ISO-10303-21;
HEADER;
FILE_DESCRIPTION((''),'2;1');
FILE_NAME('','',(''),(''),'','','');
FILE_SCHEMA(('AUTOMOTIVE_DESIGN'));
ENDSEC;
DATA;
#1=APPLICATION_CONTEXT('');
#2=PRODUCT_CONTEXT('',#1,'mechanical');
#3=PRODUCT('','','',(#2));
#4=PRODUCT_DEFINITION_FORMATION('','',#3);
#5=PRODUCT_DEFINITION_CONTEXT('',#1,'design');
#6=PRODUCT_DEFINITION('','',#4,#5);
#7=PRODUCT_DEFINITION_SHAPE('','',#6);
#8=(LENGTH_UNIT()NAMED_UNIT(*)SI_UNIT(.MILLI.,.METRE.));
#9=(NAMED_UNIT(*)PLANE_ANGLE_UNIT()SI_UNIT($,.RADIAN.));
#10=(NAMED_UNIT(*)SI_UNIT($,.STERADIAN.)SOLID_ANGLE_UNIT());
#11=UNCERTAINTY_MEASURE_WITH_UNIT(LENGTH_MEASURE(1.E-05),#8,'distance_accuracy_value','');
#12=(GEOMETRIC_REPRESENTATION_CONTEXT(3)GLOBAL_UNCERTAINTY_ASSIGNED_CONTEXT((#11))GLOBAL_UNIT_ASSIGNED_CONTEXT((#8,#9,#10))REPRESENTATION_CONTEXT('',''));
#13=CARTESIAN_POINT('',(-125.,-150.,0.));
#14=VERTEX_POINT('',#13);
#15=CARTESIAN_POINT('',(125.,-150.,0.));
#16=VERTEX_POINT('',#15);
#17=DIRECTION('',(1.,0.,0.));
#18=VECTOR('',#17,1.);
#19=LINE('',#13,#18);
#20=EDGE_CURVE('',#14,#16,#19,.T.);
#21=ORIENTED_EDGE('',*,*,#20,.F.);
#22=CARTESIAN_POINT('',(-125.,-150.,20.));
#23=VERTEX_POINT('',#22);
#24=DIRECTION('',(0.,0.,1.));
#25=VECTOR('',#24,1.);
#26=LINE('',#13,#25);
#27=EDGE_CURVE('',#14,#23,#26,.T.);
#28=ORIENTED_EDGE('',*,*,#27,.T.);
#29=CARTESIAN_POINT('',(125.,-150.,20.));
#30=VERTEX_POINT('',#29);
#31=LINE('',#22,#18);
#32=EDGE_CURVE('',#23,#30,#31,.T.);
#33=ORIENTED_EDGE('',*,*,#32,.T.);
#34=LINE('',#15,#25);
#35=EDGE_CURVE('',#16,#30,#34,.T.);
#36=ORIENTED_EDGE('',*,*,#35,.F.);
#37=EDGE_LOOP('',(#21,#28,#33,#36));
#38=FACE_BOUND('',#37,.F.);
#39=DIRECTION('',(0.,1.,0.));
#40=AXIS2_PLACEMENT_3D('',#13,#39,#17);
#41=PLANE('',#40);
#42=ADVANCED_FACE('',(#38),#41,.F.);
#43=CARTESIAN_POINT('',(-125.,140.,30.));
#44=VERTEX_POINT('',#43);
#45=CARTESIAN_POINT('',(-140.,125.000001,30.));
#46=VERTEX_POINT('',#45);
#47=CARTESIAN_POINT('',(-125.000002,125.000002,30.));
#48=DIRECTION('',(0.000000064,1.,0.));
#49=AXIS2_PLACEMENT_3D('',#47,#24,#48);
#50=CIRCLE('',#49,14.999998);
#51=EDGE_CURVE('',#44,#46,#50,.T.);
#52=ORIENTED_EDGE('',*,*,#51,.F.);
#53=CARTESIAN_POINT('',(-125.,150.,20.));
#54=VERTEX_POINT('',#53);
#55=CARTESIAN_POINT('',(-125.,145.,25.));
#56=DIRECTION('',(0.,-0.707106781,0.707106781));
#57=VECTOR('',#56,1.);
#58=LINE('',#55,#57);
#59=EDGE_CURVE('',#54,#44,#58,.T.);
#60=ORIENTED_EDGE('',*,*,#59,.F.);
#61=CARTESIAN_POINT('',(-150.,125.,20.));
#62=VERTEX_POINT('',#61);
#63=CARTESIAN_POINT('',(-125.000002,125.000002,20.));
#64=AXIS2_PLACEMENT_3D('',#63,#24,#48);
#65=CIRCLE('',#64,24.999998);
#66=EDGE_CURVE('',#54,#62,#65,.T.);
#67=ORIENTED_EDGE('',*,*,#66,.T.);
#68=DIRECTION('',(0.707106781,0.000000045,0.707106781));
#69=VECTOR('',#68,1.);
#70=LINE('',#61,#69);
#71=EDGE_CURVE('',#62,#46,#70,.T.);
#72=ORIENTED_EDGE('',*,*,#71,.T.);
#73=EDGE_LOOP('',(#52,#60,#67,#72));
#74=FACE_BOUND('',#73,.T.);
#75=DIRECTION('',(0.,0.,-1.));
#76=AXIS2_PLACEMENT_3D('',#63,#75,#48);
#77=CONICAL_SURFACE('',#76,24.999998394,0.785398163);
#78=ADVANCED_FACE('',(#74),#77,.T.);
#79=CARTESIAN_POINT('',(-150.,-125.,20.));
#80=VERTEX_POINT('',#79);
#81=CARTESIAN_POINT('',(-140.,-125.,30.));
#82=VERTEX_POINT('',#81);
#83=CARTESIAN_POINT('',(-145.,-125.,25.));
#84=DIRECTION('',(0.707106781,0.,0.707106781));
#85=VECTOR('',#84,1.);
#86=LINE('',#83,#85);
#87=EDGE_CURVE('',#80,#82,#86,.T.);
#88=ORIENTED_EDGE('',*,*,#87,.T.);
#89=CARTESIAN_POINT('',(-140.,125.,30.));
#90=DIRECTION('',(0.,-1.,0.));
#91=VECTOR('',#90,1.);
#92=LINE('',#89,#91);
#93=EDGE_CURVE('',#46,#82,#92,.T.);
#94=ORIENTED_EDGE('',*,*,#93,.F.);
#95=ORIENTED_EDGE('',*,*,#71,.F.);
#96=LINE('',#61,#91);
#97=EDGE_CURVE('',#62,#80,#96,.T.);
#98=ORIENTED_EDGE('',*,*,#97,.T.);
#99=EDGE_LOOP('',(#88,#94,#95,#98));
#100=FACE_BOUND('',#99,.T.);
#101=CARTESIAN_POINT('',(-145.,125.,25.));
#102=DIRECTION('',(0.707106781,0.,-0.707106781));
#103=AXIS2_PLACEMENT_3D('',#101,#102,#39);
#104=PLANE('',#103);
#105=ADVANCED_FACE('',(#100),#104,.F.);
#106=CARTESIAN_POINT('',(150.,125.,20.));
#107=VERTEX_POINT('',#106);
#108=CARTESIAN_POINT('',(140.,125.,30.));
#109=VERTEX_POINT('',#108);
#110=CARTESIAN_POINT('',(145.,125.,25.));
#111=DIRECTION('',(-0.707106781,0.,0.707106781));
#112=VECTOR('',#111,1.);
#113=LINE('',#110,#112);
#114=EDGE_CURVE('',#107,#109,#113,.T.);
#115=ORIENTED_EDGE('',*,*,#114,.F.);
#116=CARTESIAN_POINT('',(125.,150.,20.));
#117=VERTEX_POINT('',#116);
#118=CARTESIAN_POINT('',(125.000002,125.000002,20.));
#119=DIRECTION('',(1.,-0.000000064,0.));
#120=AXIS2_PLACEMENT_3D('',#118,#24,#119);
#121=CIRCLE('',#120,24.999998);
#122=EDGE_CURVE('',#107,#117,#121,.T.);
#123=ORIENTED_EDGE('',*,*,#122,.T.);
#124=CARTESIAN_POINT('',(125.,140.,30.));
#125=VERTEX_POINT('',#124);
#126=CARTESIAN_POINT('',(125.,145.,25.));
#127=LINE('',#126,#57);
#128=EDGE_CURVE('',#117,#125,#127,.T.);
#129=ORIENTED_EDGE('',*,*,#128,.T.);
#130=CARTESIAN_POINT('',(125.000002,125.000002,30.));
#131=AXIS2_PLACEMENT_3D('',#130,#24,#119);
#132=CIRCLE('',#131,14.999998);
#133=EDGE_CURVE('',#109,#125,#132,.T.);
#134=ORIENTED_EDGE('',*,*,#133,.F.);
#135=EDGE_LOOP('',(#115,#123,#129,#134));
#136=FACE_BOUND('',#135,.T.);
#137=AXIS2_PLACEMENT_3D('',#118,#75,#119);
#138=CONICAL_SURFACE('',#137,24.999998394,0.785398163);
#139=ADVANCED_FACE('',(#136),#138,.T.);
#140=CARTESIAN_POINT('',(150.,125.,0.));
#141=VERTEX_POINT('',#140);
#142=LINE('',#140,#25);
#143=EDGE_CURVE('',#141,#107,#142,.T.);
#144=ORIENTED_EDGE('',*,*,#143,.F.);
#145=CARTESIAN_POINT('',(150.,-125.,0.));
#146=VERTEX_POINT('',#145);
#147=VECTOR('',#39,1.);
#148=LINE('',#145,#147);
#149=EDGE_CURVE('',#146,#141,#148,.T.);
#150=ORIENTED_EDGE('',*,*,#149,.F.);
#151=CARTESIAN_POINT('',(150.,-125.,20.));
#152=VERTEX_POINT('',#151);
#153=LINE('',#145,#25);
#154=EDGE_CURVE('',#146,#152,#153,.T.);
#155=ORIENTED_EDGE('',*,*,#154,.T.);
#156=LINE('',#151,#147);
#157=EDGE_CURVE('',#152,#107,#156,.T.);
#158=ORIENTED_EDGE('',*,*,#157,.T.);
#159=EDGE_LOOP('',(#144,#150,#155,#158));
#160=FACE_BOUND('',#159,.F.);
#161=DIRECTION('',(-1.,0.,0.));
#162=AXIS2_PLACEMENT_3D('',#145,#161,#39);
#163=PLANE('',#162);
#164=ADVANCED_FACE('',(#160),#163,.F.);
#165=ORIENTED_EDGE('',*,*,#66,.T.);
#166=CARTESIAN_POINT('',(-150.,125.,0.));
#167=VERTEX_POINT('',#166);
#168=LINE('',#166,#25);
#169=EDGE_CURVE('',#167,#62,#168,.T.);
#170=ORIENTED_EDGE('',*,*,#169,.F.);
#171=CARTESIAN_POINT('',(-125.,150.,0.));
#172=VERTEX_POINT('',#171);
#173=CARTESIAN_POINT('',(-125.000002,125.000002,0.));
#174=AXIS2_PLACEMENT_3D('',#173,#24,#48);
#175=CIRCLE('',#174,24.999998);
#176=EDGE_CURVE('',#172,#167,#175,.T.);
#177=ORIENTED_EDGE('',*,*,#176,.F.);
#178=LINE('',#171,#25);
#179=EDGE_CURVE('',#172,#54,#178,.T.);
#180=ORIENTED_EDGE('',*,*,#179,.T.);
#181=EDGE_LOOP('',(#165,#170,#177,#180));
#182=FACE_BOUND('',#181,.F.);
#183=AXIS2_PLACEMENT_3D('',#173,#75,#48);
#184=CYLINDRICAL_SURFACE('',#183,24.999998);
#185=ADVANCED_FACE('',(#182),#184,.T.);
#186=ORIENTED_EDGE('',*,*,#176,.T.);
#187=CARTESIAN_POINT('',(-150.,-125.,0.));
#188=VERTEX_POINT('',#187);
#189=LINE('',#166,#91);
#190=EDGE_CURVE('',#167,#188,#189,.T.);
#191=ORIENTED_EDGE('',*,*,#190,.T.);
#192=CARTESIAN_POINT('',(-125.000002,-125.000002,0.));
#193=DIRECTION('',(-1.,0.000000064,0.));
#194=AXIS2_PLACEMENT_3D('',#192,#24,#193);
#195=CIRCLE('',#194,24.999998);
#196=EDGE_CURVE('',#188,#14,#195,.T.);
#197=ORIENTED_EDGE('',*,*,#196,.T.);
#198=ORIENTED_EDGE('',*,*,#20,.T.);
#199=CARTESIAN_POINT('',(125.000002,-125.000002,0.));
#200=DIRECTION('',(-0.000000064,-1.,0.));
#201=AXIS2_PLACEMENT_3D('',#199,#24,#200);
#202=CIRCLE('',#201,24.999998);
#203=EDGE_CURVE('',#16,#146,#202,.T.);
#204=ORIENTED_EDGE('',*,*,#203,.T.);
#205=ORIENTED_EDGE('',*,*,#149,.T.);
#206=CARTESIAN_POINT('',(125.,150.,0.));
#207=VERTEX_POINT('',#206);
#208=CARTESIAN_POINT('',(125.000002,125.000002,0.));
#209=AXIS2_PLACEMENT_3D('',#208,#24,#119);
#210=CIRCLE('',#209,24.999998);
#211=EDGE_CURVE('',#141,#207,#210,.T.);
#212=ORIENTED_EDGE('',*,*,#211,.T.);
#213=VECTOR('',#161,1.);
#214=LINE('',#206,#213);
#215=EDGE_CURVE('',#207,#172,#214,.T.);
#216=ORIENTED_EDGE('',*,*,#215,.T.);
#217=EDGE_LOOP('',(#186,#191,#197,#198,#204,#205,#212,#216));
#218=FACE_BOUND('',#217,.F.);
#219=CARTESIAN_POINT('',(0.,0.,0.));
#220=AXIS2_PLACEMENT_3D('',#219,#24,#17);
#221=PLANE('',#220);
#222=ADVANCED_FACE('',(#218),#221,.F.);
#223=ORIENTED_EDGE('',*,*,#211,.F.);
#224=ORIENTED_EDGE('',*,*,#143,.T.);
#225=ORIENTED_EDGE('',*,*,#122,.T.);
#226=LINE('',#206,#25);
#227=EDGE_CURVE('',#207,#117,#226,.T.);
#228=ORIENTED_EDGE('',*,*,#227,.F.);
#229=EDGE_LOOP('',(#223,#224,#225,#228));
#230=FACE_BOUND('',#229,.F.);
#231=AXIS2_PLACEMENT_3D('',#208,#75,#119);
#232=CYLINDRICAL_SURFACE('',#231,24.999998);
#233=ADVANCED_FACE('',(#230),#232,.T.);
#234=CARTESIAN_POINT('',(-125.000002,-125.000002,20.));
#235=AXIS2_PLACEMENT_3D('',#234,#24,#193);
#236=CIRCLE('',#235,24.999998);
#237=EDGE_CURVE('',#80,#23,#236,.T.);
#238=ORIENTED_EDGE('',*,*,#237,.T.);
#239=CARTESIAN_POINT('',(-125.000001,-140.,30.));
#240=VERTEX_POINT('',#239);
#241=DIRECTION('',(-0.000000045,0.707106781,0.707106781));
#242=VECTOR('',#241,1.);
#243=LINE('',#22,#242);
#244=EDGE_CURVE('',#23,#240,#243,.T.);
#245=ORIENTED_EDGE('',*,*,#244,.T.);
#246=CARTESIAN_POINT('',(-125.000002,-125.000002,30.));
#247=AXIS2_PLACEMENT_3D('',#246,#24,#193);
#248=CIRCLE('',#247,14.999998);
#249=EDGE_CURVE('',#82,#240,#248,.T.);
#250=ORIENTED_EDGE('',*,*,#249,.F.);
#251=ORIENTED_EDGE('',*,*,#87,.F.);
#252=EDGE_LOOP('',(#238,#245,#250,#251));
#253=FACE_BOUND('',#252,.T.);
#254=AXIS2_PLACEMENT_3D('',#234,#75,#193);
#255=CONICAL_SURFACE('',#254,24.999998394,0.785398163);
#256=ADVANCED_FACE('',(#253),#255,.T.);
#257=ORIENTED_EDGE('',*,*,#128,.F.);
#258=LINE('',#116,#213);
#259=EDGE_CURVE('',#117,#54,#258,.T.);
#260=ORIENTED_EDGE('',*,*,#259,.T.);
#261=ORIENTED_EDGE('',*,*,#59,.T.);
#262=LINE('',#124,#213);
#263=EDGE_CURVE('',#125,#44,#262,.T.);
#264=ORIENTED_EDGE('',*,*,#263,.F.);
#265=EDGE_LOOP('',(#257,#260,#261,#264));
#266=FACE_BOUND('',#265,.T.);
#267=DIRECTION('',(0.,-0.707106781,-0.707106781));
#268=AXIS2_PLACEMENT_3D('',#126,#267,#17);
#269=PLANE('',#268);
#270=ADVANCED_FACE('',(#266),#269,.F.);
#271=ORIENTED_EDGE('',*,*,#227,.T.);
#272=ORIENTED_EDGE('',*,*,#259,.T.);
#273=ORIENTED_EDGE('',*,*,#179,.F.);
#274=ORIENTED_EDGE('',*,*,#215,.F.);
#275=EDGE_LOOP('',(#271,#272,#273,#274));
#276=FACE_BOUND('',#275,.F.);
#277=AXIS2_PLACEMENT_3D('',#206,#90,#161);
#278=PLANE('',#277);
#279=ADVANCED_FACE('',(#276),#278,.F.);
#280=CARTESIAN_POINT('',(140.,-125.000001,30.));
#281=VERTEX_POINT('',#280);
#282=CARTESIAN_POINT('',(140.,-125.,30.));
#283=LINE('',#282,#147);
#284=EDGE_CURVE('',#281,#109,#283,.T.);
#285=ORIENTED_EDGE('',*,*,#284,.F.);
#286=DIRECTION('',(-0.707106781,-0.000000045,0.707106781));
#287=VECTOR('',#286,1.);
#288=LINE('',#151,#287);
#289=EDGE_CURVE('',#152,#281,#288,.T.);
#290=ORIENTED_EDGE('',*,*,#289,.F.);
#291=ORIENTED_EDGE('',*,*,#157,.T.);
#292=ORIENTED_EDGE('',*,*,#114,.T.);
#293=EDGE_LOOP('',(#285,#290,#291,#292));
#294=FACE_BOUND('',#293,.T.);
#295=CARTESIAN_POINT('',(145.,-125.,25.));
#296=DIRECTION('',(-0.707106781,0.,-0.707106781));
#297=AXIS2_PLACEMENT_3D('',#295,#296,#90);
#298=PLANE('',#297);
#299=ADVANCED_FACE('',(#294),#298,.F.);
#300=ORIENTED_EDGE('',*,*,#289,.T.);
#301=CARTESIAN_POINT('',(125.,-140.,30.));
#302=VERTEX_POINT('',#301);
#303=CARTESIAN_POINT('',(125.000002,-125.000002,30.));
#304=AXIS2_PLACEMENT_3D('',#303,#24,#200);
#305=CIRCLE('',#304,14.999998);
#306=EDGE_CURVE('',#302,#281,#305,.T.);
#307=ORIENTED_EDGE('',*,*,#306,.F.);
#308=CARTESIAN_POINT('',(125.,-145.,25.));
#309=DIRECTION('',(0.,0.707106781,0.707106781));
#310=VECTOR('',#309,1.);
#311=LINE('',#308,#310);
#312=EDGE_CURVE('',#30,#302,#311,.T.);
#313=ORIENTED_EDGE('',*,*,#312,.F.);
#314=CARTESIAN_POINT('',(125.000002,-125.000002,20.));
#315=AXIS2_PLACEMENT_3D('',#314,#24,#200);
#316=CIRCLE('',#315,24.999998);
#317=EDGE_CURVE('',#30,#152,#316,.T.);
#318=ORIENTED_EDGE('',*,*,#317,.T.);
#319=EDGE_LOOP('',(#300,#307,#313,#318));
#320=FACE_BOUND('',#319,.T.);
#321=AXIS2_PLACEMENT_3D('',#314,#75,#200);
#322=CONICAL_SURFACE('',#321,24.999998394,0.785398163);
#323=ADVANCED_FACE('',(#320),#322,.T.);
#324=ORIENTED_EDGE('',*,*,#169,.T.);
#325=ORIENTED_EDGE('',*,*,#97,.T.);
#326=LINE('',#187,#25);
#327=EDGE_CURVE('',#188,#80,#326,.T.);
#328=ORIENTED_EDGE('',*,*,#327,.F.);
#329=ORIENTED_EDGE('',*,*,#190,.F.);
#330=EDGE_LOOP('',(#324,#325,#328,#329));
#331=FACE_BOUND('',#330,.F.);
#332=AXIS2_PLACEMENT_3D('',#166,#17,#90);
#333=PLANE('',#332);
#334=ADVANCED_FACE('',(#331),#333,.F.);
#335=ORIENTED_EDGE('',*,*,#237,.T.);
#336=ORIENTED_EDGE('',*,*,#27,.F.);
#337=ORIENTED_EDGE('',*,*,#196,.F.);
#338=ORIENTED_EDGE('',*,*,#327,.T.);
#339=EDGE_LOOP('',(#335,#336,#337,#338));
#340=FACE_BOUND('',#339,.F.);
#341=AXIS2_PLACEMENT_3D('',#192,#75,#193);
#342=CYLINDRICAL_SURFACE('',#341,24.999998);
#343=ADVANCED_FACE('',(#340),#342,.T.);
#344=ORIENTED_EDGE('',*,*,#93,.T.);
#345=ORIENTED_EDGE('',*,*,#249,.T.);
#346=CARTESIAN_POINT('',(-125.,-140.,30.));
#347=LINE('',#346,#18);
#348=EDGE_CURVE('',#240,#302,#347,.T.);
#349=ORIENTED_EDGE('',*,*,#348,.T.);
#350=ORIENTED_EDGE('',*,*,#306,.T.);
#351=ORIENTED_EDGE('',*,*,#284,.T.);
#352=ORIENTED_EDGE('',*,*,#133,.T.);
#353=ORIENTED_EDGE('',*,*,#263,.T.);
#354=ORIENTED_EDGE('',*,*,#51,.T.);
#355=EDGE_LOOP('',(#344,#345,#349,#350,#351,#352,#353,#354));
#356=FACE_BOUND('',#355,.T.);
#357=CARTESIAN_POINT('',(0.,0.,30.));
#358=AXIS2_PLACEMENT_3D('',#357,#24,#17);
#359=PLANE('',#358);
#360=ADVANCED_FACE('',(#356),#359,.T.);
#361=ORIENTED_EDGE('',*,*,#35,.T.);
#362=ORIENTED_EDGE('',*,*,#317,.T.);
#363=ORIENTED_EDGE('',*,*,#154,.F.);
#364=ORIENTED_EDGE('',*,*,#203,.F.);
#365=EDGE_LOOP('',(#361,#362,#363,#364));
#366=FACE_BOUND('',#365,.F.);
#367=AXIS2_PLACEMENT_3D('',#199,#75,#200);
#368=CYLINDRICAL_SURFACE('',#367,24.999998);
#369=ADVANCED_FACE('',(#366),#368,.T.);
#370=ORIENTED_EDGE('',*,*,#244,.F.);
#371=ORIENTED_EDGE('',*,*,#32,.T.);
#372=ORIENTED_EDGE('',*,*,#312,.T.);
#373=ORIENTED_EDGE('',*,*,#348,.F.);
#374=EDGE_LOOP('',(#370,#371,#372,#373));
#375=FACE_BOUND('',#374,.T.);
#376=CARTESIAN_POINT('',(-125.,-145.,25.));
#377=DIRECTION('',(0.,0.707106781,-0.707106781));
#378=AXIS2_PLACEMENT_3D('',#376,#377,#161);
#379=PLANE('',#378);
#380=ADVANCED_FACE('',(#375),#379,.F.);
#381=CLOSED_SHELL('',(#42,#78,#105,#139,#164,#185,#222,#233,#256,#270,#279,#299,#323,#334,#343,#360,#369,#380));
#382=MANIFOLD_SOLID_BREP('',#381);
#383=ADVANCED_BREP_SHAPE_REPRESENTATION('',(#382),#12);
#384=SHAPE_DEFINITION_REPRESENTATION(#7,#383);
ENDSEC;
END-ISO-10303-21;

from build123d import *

# Parameters (mm, degrees)
F1_DEPTH = 30
F2_SIZE  = 10


with BuildPart() as f1:
    # F0 (on Top) → F1 (new body)
    with BuildSketch(Plane.XY):
        with BuildLine():
            Line((125, 150), (0, 150))
            Line((0, 150), (-125, 150))
            ThreePointArc((-125, 150), (-142.67767, 142.67767), (-150, 125))
            Line((-150, 125), (-150, 0))
            Line((-150, 0), (-150, -125))
            ThreePointArc((-150, -125), (-142.67767, -142.67767), (-125, -150))
            Line((-125, -150), (0, -150))
            Line((0, -150), (125, -150))
            ThreePointArc((125, -150), (142.67767, -142.67767), (150, -125))
            Line((150, -125), (150, 0))
            Line((150, 0), (150, 125))
            ThreePointArc((150, 125), (142.67767, 142.67767), (125, 150))
        make_face()
    extrude(amount=F1_DEPTH)

    # F2
    f2_edges = [f1.edges().sort_by_distance(p)[0] for p in [
        (0, 150, 30),
    ]]
    chamfer(f2_edges, length=F2_SIZE)


solid = f1.part
